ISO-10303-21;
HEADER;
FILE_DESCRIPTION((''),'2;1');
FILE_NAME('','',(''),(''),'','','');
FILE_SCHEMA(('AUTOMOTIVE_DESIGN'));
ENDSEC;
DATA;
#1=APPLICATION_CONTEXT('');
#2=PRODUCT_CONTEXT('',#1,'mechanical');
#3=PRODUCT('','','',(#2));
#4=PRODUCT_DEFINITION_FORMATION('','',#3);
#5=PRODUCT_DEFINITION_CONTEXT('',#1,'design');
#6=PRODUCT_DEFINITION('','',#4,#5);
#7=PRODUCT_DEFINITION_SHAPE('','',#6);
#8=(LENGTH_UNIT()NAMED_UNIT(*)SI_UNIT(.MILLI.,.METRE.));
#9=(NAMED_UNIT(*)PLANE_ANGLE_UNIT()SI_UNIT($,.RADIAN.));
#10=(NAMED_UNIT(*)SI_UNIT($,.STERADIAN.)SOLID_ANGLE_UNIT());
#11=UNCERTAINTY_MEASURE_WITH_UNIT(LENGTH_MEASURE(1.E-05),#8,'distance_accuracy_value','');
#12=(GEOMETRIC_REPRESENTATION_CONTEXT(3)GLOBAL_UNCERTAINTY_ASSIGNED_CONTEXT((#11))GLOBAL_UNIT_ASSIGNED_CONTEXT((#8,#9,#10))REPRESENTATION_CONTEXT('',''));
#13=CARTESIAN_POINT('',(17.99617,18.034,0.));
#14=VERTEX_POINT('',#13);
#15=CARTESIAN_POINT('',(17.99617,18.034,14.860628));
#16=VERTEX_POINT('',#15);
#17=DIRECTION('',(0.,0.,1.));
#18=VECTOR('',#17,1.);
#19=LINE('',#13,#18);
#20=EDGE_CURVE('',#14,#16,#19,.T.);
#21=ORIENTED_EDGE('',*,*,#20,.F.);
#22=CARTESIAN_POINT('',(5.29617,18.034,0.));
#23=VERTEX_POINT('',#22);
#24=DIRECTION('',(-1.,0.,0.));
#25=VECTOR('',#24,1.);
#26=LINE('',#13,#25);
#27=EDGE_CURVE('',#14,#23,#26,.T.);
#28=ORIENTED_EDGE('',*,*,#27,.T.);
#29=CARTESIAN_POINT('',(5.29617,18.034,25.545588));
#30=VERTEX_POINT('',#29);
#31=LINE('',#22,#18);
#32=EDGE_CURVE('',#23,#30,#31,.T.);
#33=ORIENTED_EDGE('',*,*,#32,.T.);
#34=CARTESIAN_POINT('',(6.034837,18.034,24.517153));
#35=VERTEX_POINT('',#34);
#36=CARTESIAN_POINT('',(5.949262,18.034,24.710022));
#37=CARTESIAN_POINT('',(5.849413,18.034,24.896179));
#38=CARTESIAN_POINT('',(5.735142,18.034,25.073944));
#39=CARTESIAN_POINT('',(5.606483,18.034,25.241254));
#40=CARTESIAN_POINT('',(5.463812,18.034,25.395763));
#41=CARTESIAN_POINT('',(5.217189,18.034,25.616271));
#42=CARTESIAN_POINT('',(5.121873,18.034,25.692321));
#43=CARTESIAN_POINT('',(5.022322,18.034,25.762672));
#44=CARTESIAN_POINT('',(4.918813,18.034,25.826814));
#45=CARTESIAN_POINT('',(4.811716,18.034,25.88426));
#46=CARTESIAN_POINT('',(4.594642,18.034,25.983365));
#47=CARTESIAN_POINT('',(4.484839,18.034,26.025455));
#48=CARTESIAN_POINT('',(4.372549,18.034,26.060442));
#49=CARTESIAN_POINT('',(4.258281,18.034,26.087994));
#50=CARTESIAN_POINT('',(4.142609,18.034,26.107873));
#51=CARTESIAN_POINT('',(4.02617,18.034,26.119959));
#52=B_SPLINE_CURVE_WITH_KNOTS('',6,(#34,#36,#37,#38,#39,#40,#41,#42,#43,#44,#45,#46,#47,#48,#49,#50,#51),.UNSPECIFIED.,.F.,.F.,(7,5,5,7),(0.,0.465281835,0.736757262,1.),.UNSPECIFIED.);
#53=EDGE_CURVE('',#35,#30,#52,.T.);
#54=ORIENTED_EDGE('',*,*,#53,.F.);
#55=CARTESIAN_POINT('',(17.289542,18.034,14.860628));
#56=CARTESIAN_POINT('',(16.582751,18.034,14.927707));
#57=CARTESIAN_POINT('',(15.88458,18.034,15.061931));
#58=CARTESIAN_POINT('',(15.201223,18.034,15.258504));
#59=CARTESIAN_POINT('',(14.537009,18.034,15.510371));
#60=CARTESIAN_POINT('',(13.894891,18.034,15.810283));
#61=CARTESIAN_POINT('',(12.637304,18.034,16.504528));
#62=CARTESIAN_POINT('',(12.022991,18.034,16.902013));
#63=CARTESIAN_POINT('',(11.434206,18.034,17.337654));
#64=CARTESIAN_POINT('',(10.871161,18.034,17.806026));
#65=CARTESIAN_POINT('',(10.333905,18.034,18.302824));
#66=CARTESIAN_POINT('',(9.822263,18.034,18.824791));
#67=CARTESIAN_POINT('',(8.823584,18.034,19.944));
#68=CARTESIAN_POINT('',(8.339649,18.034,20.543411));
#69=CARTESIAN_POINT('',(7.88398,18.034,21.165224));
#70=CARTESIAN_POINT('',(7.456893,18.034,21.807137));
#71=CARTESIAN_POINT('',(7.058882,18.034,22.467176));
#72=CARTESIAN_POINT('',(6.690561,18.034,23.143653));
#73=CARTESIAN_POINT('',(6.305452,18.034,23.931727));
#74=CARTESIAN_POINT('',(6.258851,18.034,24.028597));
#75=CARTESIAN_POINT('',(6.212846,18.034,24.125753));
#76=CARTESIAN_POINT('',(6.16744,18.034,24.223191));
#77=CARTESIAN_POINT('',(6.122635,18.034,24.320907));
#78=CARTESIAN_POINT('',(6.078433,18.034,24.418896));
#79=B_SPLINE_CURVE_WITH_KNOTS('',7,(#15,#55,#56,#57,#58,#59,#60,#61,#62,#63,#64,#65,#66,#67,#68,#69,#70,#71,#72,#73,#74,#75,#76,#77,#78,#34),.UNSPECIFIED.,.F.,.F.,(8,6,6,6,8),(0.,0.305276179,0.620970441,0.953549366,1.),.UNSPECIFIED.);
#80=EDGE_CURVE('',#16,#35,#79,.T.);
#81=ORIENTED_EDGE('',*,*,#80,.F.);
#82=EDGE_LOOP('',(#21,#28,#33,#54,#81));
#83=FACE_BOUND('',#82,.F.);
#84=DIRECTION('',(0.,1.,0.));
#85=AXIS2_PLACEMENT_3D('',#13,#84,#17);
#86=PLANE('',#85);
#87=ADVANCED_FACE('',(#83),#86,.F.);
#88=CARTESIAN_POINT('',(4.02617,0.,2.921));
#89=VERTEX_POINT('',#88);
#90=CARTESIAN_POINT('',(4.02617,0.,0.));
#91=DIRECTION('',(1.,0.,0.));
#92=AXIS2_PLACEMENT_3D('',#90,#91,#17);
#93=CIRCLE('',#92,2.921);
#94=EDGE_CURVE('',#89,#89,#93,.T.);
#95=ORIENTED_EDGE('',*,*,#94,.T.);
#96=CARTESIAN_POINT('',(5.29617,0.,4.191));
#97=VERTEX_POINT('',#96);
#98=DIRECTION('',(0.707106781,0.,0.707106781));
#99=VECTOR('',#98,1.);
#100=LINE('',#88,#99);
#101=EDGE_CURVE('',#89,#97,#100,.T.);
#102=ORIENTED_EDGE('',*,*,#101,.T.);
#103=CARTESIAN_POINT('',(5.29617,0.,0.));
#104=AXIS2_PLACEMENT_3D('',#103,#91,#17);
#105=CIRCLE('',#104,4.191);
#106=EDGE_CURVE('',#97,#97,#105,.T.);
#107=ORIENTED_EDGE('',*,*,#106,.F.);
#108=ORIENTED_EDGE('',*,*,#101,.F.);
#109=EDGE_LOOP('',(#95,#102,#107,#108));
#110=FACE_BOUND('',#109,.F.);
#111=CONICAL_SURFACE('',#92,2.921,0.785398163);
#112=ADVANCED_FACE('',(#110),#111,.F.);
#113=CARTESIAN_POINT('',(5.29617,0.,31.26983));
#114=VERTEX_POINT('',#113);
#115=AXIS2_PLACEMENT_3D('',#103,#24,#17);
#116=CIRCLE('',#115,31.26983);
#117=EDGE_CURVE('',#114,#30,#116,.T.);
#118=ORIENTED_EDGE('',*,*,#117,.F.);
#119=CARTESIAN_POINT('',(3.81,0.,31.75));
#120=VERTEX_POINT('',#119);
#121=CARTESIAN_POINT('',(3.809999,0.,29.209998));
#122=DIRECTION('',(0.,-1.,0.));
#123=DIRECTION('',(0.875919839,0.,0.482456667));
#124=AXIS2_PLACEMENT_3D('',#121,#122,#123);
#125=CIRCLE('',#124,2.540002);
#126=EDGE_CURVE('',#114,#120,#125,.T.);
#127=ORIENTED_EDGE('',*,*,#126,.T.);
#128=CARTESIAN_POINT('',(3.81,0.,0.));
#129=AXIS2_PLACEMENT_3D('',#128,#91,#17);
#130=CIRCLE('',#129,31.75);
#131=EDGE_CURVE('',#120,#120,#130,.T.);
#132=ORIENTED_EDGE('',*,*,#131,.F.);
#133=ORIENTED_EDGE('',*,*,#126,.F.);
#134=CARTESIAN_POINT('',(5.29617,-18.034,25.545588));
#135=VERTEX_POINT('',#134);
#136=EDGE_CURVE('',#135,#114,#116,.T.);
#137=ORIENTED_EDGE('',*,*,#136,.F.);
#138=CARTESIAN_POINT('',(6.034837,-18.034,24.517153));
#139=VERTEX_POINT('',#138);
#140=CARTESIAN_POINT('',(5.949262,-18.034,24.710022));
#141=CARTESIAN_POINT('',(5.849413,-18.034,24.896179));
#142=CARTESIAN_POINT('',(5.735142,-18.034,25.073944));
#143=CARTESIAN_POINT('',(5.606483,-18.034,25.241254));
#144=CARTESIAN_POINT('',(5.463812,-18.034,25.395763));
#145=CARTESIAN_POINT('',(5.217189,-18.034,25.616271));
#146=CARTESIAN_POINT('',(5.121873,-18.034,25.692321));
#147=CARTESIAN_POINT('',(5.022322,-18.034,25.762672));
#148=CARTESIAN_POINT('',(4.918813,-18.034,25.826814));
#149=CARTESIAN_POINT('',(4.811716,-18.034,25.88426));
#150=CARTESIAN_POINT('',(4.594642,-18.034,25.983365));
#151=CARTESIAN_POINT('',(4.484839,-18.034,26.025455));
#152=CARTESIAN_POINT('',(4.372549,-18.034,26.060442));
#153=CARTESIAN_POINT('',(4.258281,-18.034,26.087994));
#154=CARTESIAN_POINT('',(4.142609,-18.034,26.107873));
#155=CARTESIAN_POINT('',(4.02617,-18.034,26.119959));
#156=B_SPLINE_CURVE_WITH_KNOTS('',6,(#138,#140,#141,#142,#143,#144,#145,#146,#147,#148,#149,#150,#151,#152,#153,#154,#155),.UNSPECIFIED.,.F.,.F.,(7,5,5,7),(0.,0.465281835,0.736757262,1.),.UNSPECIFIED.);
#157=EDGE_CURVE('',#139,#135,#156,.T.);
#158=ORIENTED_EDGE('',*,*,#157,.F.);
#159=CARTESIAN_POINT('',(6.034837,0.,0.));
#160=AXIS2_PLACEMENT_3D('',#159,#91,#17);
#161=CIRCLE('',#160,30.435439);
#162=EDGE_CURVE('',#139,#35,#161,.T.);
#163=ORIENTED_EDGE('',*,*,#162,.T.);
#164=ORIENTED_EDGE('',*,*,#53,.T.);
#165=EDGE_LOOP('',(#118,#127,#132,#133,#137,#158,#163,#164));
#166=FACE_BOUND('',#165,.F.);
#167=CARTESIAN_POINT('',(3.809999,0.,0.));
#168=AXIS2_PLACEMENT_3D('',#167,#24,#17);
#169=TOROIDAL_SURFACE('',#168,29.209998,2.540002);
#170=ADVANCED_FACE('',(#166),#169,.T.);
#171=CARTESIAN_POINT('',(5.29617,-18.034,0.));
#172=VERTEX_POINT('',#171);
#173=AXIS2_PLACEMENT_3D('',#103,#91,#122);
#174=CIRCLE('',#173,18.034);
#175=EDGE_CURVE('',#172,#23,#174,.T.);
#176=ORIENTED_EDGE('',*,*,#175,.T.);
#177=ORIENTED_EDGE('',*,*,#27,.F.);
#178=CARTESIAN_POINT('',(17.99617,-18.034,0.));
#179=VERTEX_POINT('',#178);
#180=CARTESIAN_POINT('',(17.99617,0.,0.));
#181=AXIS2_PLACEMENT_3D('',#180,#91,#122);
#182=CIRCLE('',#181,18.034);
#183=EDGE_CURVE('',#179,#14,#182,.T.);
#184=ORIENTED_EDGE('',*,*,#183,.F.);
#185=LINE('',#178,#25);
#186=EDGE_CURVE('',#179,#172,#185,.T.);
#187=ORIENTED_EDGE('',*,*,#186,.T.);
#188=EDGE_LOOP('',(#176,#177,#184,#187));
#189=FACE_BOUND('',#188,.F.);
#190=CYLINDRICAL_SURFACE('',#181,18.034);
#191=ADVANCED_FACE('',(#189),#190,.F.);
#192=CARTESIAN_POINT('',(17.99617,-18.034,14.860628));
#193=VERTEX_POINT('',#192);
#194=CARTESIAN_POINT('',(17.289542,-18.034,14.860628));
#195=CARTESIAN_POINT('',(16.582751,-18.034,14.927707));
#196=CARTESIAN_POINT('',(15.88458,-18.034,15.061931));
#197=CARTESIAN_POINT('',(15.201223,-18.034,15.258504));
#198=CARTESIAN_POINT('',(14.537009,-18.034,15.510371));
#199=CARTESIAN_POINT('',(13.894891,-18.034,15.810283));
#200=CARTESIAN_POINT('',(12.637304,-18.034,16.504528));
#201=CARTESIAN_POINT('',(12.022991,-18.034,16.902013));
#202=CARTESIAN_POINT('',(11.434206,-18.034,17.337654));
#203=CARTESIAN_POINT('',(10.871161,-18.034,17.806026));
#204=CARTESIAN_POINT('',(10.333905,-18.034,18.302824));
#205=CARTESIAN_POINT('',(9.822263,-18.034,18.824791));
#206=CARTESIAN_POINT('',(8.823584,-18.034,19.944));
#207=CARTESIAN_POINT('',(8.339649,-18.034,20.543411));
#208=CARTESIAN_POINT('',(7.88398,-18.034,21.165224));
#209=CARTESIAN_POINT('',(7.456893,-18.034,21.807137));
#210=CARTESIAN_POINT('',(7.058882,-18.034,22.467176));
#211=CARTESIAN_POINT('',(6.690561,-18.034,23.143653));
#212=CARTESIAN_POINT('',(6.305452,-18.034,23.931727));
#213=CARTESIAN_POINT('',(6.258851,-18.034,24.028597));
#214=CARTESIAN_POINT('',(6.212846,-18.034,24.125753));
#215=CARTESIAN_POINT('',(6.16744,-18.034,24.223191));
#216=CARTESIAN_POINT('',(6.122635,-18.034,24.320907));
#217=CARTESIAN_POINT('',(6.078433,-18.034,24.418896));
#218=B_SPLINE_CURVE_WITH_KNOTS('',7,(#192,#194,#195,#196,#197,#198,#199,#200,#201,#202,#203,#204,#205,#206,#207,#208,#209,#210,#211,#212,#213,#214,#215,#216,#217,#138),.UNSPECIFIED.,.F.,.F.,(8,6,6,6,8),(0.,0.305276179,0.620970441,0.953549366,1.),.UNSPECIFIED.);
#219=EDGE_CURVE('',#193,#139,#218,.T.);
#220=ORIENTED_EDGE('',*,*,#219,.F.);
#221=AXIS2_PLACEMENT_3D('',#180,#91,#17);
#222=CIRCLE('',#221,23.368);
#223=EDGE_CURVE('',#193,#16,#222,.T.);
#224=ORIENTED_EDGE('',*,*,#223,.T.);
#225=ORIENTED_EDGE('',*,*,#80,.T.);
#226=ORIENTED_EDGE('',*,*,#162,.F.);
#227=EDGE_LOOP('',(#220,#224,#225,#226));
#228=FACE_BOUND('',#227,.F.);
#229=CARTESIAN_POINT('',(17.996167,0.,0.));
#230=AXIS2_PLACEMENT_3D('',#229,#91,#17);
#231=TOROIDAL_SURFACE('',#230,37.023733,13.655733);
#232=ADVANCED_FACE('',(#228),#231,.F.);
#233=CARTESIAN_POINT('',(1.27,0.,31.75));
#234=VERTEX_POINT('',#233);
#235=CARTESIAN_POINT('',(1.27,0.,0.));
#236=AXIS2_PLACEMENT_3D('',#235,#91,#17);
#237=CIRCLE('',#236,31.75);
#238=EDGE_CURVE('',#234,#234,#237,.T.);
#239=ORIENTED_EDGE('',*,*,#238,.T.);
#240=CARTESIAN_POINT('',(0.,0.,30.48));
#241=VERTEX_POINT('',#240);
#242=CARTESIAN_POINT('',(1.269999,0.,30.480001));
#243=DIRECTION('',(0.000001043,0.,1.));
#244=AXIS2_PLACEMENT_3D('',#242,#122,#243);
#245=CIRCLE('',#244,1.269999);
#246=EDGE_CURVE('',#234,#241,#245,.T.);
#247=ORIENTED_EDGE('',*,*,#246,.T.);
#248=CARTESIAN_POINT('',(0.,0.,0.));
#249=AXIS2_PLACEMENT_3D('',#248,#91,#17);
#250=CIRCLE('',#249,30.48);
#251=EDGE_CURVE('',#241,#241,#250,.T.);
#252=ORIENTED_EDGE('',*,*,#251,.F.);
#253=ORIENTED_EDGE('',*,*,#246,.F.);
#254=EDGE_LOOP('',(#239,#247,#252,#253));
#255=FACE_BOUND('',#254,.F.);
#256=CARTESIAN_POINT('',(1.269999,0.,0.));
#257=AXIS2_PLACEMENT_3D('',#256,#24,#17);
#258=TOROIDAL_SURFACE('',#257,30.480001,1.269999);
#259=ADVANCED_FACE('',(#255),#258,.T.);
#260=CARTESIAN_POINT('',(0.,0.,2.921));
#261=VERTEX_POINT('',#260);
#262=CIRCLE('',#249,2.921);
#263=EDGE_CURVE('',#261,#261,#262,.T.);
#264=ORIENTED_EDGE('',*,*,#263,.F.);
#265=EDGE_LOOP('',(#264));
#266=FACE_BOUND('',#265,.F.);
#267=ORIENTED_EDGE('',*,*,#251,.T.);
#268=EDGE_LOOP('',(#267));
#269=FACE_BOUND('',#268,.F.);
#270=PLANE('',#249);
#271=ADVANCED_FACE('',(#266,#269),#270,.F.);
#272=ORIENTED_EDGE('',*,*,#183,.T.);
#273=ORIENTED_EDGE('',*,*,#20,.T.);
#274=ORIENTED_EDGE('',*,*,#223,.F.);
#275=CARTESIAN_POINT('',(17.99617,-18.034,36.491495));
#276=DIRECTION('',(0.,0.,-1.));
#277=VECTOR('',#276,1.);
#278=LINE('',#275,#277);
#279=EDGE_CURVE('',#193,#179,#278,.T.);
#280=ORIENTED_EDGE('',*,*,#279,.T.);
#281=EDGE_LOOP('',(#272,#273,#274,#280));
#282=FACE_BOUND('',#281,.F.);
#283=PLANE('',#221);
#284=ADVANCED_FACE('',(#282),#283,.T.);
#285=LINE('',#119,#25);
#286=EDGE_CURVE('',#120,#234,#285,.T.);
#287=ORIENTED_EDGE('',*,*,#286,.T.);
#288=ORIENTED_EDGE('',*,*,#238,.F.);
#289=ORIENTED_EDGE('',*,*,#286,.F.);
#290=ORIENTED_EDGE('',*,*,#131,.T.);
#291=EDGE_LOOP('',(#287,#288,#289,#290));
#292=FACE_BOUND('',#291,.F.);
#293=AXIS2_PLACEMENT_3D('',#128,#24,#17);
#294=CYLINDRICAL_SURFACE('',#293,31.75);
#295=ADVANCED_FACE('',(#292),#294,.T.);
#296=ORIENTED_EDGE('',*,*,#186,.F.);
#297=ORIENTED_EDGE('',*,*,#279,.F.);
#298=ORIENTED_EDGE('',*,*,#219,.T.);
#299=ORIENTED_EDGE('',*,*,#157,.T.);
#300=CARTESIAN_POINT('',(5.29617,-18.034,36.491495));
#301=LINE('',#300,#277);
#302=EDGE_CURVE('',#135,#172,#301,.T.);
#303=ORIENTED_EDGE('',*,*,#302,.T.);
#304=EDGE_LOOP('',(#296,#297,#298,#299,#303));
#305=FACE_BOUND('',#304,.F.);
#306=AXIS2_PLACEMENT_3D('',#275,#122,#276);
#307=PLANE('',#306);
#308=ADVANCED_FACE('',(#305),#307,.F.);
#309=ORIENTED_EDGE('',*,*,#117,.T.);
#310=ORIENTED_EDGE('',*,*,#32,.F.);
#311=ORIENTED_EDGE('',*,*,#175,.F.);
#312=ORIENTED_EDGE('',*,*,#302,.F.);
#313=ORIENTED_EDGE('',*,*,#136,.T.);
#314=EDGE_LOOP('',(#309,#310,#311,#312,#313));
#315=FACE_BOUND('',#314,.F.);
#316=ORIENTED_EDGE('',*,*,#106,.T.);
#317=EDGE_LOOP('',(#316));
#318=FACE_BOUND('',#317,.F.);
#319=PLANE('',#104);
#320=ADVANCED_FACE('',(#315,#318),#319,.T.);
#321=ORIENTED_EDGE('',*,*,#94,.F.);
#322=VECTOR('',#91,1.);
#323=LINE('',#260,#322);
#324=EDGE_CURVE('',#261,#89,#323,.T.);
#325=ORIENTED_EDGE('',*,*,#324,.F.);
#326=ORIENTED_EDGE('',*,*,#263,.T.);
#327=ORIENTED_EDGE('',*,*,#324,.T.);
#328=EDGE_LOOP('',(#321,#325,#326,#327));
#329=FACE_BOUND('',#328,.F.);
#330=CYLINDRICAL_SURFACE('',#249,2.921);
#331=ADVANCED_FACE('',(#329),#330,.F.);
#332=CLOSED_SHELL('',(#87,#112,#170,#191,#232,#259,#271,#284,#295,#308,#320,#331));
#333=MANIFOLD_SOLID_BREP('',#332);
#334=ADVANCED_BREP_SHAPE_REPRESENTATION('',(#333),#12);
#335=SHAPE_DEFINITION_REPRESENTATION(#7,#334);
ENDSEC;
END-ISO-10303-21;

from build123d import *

# Parameters (mm, degrees)
F3_DEPTH = 12.7


with BuildPart() as f1:
    # F0 (on Front) → F1 (revolve)
    with BuildSketch(Plane.XZ):
        with BuildLine():
            Line((0, 30.48), (0, 2.921))
            Line((0, 2.921), (4.02617, 2.921))
            Line((4.02617, 2.921), (5.29617, 4.191))
            Line((5.29617, 4.191), (5.29617, 18.034))
            Line((5.29617, 18.034), (17.99617, 18.034))
            Line((17.99617, 18.034), (17.99617, 23.368))
            ThreePointArc((17.99617, 23.368), (11.049548, 25.266883), (6.034837, 30.435439))
            ThreePointArc((6.034837, 30.435439), (5.102088, 31.396803), (3.81, 31.75))
            Line((3.81, 31.75), (1.27, 31.75))
            ThreePointArc((1.27, 31.75), (0.371974, 31.378026), (0, 30.48))
        make_face()
    revolve(axis=Axis((18.239362, 0, 0), (1, 0, 0)))

    # F2 (on face) → F3 (cut, through all)
    with BuildSketch(Plane.YZ.offset(17.99617)):
        with BuildLine():
            Line((-18.034, 36.491495), (-18.034, 0))
            ThreePointArc((-18.034, 0), (0, -18.034), (18.034, 0))
            Line((18.034, 0), (18.034, 36.491495))
            Line((18.034, 36.491495), (-18.034, 36.491495))
        make_face()
    extrude(amount=-F3_DEPTH, mode=Mode.SUBTRACT)


solid = f1.part
